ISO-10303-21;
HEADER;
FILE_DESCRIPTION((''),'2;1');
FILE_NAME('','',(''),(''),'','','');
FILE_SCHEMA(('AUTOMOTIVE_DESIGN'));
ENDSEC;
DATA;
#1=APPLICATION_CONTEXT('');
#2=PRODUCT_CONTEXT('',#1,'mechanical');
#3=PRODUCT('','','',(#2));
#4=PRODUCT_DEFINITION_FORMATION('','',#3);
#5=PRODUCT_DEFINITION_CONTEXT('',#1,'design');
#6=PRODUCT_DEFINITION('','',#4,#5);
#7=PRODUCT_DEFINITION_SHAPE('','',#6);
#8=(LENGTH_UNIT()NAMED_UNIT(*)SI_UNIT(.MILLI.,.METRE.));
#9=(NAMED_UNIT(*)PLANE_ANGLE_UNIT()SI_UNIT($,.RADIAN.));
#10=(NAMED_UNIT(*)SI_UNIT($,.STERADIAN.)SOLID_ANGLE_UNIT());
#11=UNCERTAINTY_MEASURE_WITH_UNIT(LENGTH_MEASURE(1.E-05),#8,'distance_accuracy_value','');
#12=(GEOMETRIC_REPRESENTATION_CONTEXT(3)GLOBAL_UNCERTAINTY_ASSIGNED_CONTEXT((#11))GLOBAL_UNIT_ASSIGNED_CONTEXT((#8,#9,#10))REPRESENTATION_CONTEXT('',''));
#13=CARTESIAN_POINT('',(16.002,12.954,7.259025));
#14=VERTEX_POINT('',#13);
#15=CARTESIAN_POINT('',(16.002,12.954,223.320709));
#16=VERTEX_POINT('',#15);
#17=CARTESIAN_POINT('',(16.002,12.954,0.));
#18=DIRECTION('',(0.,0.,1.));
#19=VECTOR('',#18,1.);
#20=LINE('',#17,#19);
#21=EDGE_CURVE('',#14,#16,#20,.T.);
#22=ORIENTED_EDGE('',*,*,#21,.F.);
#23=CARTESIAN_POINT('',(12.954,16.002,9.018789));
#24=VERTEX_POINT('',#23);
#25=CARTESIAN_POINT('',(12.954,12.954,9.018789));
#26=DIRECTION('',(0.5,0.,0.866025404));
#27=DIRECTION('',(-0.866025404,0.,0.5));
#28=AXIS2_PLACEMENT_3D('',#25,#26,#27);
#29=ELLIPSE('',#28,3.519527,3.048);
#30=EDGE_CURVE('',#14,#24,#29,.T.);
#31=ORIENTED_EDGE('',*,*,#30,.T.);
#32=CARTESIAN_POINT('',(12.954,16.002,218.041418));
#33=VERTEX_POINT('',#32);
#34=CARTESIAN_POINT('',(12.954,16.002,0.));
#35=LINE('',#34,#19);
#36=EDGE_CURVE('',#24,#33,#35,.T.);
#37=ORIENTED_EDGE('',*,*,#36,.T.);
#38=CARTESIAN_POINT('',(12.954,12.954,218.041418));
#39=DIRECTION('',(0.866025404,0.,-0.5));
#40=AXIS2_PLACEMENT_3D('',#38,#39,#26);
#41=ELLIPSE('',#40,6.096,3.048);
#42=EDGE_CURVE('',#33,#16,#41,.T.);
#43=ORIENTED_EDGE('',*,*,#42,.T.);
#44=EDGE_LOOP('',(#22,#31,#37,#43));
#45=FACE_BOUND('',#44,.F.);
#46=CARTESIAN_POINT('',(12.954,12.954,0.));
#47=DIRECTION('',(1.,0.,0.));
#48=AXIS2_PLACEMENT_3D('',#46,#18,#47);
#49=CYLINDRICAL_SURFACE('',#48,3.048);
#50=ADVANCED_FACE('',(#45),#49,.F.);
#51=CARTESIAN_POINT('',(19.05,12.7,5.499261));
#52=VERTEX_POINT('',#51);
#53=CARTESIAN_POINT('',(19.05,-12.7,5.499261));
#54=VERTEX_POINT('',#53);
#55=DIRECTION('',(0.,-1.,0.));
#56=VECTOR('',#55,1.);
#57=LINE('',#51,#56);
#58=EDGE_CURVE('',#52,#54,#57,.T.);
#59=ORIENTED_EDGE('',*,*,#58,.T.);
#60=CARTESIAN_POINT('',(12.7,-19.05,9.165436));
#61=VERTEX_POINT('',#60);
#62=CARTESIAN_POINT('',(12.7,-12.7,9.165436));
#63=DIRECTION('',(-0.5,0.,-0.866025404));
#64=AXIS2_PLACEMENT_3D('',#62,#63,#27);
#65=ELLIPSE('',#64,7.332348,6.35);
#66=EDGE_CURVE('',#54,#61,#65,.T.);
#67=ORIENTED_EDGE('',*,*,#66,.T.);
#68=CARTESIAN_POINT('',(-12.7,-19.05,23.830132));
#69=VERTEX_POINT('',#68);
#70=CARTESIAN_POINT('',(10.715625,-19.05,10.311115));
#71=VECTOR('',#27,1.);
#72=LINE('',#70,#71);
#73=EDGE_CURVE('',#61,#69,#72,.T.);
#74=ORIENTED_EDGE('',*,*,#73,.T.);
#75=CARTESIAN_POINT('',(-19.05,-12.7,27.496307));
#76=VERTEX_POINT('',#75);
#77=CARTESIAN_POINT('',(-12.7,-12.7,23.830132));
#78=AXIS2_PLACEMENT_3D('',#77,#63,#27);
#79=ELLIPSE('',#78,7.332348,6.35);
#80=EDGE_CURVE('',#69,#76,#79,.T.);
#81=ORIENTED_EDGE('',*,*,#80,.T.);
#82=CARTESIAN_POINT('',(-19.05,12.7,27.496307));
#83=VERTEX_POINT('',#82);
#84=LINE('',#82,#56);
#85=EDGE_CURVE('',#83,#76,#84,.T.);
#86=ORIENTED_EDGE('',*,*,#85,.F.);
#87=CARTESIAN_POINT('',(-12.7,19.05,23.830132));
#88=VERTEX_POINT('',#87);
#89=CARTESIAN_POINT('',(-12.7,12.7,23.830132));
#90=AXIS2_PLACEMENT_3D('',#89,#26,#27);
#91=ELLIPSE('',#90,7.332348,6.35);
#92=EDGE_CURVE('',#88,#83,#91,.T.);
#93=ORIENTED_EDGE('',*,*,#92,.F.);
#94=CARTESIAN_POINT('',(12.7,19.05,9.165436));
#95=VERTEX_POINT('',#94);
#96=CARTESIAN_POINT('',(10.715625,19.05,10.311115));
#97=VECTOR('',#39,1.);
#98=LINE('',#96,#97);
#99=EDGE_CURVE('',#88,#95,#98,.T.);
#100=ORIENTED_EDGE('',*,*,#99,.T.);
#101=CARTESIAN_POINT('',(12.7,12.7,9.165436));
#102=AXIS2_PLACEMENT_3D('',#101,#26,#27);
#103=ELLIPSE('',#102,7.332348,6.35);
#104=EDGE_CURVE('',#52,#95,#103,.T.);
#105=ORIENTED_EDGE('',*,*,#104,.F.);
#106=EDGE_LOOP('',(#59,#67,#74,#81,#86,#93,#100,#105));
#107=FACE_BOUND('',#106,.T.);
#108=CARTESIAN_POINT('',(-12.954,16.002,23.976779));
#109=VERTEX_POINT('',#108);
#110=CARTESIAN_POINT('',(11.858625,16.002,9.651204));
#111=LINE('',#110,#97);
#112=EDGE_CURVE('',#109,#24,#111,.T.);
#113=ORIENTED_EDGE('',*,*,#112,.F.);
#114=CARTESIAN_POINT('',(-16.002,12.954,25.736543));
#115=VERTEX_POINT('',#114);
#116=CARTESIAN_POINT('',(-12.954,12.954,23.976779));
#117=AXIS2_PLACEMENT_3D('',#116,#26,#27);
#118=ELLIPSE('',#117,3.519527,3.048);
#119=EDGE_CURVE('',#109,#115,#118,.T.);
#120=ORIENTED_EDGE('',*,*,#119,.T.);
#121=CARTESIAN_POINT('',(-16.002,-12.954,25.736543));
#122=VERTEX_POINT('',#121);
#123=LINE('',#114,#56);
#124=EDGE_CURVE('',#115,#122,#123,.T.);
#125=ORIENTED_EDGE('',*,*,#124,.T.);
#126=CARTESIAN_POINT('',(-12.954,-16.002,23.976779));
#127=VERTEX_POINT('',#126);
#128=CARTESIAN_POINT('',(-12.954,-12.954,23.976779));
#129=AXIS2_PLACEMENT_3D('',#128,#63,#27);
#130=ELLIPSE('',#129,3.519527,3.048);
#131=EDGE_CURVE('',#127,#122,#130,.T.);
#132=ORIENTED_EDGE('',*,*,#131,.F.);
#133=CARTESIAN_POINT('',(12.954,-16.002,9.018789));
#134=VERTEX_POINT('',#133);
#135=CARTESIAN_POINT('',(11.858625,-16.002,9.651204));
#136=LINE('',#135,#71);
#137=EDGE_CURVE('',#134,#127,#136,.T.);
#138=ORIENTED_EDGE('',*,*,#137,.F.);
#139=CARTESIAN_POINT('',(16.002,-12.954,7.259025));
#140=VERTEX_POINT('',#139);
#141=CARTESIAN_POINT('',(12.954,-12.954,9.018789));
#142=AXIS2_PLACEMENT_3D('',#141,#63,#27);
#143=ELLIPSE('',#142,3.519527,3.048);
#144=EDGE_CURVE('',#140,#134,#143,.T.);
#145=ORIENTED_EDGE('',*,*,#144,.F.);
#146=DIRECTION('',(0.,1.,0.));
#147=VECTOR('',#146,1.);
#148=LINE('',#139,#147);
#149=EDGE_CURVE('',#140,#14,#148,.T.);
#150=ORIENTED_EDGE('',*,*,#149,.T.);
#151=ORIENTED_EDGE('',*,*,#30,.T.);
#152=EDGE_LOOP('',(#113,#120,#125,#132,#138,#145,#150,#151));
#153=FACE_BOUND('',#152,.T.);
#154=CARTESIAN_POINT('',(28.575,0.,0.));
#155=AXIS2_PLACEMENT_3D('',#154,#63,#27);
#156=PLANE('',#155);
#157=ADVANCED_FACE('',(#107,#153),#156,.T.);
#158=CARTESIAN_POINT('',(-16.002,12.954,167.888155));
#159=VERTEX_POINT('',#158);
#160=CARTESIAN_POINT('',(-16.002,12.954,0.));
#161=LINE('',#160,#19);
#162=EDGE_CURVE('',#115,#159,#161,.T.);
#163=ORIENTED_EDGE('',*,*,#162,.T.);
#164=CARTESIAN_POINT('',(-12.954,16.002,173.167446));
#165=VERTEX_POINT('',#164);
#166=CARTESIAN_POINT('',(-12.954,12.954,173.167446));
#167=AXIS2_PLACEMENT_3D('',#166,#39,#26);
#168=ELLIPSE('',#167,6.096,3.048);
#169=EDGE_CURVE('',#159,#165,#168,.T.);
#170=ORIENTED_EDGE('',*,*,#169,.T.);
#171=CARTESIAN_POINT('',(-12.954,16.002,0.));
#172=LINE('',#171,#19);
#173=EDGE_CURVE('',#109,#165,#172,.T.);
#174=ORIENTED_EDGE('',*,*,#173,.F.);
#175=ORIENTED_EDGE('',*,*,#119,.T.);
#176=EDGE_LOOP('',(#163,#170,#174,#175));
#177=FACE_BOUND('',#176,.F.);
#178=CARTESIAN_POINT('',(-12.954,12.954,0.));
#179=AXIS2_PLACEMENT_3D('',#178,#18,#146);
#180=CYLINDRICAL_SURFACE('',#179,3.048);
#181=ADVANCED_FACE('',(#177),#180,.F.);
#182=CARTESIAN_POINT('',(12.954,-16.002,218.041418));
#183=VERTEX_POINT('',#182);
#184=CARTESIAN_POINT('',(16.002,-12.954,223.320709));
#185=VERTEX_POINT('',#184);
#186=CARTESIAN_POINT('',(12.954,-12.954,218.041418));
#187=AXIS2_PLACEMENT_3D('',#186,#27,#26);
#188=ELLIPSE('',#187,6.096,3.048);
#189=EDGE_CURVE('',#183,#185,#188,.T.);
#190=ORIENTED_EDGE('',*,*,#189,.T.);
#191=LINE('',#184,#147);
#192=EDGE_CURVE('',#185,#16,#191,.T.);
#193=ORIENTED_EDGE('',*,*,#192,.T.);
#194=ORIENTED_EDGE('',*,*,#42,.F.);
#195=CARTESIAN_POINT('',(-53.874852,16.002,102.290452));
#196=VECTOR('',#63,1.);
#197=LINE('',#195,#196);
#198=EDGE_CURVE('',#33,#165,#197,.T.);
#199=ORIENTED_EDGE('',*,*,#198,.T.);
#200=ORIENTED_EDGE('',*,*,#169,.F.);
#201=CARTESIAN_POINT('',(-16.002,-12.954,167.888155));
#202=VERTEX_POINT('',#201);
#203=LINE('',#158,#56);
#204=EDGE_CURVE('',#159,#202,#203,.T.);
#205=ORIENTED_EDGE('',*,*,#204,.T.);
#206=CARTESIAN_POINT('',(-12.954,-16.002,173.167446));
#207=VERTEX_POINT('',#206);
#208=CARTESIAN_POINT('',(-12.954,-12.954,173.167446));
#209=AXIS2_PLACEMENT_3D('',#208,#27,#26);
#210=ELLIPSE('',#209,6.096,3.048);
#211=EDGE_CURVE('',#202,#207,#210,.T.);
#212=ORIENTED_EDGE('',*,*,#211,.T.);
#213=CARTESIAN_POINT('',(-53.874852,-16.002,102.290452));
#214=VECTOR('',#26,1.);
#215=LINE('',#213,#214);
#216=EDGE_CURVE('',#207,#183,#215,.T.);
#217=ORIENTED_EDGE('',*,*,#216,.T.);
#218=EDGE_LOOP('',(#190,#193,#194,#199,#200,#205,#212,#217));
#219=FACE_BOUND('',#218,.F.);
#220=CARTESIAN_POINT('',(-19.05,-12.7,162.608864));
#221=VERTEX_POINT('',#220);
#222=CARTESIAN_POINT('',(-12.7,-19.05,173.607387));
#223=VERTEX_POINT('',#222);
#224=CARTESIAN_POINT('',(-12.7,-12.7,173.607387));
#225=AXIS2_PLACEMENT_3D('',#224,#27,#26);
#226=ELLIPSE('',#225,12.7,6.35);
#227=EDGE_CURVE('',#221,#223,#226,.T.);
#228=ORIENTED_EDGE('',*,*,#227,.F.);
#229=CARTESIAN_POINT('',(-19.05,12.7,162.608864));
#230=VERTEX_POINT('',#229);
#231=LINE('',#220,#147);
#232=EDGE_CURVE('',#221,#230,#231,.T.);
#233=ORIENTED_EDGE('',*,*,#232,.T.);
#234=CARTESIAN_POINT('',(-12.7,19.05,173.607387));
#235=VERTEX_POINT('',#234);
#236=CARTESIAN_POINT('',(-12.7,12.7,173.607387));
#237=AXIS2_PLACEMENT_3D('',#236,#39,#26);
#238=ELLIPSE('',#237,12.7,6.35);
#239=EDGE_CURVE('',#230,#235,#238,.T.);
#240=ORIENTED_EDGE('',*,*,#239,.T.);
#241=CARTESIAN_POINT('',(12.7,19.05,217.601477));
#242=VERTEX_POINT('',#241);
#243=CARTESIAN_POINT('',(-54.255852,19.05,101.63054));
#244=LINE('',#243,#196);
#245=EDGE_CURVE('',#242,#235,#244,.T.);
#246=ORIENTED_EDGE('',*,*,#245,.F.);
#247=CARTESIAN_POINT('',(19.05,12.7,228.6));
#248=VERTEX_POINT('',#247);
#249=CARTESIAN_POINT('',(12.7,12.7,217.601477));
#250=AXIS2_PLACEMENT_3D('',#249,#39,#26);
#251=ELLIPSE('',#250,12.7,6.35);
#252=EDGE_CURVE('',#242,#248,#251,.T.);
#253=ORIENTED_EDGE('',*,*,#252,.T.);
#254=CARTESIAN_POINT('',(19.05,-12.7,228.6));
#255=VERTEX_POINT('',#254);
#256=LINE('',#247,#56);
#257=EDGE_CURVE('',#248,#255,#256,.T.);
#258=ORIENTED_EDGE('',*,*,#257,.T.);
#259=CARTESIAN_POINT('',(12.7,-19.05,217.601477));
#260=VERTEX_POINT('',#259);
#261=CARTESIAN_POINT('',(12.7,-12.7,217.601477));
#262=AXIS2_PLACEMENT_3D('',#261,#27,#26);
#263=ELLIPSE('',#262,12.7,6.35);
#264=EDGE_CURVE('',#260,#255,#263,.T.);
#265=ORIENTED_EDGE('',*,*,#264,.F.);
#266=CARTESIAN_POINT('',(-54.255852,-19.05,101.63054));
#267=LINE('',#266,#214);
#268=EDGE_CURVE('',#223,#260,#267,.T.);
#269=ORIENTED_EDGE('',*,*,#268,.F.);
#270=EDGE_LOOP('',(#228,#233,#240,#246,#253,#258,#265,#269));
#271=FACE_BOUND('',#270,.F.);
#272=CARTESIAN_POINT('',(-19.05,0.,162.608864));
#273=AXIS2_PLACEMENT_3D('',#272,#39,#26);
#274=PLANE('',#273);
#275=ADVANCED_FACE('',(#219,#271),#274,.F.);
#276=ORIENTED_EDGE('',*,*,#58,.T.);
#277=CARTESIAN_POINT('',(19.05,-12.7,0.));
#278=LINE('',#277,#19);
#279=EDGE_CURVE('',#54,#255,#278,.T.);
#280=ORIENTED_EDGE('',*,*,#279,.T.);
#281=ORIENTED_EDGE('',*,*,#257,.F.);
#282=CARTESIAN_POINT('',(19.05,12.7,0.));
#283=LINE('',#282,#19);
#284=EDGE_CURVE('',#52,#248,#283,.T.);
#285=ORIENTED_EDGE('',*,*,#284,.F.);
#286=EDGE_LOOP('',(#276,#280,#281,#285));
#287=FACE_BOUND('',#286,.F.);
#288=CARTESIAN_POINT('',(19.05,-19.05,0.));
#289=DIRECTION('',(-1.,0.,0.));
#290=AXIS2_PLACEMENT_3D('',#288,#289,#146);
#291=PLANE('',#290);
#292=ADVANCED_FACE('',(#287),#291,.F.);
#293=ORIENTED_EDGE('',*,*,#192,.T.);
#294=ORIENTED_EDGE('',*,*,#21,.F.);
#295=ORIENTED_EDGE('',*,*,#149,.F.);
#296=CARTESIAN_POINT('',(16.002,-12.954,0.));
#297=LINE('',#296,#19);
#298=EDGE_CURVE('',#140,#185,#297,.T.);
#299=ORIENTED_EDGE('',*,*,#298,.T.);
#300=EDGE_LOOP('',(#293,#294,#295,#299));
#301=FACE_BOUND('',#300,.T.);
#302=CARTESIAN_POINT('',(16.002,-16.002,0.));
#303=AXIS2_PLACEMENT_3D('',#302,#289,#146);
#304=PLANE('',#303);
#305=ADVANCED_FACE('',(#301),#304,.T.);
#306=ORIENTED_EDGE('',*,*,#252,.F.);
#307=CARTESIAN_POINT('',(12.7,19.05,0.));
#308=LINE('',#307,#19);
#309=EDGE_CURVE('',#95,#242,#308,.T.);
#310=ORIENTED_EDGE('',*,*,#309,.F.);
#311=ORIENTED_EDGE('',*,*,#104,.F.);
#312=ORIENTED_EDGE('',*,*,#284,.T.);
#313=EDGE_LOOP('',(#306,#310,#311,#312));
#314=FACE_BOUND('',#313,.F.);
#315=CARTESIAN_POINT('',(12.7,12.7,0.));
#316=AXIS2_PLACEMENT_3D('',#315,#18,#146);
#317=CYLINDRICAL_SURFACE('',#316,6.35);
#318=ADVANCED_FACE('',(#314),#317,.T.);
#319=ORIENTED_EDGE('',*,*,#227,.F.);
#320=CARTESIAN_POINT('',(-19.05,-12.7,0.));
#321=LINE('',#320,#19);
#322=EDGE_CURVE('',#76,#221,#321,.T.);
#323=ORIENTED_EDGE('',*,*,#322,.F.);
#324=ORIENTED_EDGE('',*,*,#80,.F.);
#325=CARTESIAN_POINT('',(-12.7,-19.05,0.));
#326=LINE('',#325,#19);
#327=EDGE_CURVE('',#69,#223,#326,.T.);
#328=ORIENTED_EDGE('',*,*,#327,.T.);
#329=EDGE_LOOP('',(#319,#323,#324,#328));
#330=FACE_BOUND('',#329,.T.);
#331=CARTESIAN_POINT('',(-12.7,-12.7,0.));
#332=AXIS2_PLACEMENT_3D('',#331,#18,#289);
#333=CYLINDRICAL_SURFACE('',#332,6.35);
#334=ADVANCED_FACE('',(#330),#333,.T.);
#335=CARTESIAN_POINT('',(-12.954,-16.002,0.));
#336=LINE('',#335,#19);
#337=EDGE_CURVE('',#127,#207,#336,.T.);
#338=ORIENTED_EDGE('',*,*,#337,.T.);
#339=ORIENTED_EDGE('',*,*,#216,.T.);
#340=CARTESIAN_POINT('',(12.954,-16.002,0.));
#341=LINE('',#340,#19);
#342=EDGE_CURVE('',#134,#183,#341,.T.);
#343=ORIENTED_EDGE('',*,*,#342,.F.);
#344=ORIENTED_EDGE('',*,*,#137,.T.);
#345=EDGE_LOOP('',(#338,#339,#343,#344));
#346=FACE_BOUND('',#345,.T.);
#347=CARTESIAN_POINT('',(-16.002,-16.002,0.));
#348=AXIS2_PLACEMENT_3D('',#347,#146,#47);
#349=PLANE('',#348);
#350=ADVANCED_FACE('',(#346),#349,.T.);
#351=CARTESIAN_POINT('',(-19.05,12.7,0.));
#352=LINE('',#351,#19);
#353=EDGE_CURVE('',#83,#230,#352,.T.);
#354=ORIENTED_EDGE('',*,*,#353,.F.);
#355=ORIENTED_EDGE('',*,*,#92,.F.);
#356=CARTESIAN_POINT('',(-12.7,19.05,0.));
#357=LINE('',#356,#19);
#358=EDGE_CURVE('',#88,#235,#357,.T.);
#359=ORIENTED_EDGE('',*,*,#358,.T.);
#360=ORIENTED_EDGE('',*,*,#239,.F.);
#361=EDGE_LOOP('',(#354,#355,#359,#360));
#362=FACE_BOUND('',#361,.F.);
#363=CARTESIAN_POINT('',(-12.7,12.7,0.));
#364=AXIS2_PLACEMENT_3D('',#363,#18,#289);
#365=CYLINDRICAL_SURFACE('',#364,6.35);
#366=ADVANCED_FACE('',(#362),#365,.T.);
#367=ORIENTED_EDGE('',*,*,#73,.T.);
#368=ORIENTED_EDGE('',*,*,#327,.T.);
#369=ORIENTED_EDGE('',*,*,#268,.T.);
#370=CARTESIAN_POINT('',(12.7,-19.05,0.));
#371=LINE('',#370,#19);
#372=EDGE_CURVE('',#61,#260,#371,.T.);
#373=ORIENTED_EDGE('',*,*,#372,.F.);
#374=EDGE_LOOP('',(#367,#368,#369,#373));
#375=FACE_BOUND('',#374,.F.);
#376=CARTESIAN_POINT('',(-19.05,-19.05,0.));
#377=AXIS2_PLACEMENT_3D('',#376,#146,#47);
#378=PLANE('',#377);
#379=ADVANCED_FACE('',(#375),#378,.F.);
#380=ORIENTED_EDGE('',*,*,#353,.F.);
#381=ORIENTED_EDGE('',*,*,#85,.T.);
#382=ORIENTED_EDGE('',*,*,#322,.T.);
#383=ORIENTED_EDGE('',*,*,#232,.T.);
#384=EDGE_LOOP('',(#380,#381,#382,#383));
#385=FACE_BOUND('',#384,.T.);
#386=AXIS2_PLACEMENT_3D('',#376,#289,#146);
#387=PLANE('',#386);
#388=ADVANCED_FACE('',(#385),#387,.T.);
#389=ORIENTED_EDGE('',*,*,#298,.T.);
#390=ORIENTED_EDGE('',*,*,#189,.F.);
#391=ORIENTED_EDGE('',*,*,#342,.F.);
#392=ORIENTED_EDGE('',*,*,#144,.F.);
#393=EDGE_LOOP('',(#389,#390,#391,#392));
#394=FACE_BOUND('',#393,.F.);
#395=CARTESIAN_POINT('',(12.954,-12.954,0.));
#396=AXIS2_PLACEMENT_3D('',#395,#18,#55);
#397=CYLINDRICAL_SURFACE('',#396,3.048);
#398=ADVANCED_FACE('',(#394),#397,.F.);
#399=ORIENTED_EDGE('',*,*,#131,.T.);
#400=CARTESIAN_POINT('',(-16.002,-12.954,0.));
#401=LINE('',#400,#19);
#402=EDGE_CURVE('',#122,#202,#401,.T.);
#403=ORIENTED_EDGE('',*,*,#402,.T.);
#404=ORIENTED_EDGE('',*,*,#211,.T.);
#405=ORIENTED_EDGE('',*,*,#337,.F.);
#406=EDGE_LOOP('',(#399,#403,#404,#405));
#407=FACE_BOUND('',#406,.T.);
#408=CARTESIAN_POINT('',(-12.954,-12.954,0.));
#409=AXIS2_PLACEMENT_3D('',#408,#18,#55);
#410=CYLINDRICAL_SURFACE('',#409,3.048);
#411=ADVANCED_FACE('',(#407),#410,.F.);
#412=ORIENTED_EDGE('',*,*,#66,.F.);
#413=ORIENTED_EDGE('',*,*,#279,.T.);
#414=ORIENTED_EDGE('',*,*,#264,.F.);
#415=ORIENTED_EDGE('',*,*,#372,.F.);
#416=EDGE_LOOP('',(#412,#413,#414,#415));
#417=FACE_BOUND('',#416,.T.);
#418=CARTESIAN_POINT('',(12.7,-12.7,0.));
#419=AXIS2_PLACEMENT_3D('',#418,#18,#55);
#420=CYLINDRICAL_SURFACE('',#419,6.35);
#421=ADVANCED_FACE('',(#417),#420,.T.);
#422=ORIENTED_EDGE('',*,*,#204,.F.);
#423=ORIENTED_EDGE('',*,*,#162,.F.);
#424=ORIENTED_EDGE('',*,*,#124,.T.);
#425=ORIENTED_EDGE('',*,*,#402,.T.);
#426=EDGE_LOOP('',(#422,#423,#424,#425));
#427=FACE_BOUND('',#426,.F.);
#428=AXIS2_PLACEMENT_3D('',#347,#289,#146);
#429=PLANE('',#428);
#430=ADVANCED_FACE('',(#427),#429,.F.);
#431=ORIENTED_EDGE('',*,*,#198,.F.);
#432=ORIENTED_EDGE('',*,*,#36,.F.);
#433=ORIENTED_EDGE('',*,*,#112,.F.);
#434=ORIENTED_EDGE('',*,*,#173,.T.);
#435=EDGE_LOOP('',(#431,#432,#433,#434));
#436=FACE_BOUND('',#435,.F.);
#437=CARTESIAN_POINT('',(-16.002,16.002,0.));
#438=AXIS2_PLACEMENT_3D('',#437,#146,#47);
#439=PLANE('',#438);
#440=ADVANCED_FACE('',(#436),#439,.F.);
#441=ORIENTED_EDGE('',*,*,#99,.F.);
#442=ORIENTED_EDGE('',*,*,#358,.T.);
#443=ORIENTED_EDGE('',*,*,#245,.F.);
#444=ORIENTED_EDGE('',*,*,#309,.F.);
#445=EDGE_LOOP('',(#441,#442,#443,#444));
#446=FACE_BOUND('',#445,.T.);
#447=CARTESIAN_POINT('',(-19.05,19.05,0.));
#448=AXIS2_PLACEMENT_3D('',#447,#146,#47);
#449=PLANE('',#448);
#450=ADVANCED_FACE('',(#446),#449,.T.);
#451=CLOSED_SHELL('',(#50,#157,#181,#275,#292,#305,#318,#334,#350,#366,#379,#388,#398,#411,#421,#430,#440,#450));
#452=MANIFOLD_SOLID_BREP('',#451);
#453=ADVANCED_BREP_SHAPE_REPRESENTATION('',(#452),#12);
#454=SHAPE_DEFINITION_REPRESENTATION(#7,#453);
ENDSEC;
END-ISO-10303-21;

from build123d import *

# Parameters (mm, degrees)
F0_W          = 38.1
F0_H          = 38.1
F0_W_2        = 32.004
F0_H_2        = 32.004
F1_DEPTH      = 228.6
F2_R          = 3.048
F3_R          = 6.35
F5_DEPTH      = 19.051
F5_DEPTH_BACK = 19.051
F7_DEPTH      = 19.051
F7_DEPTH_BACK = 19.051


with BuildPart() as f1:
    # F0 (on Top) → F1 (new body)
    with BuildSketch(Plane.XY):
        Rectangle(F0_W, F0_H)
        Rectangle(F0_W_2, F0_H_2, mode=Mode.SUBTRACT)
    extrude(amount=F1_DEPTH)

    # F2
    f2_edges = [f1.edges().sort_by_distance(p)[0] for p in [
        (16.002, 16.002, 114.3),
        (-16.002, 16.002, 114.3),
        (-16.002, -16.002, 114.3),
        (16.002, -16.002, 114.3),
    ]]
    fillet(f2_edges, radius=F2_R)

    # F3
    f3_edges = [f1.edges().sort_by_distance(p)[0] for p in [
        (-19.05, 19.05, 114.3),
        (-19.05, -19.05, 114.3),
        (19.05, -19.05, 114.3),
        (19.05, 19.05, 114.3),
    ]]
    fillet(f3_edges, radius=F3_R)

    # F4 (on Front) → F5 (cut, two sides)
    with BuildSketch(Plane.XZ) as f5_sk:
        Polygon((-19.05, 162.6088642316), (19.05, 228.6), (-19.05, 228.6), align=None)
    extrude(amount=-F5_DEPTH, mode=Mode.SUBTRACT)
    extrude(f5_sk.sketch, amount=F5_DEPTH_BACK, mode=Mode.SUBTRACT)

    # F6 (on Front) → F7 (cut, two sides)
    with BuildSketch(Plane.XZ) as f7_sk:
        Polygon((-19.05, 27.4963065702), (-19.05, 0), (28.575, 0), align=None)
    extrude(amount=-F7_DEPTH, mode=Mode.SUBTRACT)
    extrude(f7_sk.sketch, amount=F7_DEPTH_BACK, mode=Mode.SUBTRACT)


solid = f1.part
